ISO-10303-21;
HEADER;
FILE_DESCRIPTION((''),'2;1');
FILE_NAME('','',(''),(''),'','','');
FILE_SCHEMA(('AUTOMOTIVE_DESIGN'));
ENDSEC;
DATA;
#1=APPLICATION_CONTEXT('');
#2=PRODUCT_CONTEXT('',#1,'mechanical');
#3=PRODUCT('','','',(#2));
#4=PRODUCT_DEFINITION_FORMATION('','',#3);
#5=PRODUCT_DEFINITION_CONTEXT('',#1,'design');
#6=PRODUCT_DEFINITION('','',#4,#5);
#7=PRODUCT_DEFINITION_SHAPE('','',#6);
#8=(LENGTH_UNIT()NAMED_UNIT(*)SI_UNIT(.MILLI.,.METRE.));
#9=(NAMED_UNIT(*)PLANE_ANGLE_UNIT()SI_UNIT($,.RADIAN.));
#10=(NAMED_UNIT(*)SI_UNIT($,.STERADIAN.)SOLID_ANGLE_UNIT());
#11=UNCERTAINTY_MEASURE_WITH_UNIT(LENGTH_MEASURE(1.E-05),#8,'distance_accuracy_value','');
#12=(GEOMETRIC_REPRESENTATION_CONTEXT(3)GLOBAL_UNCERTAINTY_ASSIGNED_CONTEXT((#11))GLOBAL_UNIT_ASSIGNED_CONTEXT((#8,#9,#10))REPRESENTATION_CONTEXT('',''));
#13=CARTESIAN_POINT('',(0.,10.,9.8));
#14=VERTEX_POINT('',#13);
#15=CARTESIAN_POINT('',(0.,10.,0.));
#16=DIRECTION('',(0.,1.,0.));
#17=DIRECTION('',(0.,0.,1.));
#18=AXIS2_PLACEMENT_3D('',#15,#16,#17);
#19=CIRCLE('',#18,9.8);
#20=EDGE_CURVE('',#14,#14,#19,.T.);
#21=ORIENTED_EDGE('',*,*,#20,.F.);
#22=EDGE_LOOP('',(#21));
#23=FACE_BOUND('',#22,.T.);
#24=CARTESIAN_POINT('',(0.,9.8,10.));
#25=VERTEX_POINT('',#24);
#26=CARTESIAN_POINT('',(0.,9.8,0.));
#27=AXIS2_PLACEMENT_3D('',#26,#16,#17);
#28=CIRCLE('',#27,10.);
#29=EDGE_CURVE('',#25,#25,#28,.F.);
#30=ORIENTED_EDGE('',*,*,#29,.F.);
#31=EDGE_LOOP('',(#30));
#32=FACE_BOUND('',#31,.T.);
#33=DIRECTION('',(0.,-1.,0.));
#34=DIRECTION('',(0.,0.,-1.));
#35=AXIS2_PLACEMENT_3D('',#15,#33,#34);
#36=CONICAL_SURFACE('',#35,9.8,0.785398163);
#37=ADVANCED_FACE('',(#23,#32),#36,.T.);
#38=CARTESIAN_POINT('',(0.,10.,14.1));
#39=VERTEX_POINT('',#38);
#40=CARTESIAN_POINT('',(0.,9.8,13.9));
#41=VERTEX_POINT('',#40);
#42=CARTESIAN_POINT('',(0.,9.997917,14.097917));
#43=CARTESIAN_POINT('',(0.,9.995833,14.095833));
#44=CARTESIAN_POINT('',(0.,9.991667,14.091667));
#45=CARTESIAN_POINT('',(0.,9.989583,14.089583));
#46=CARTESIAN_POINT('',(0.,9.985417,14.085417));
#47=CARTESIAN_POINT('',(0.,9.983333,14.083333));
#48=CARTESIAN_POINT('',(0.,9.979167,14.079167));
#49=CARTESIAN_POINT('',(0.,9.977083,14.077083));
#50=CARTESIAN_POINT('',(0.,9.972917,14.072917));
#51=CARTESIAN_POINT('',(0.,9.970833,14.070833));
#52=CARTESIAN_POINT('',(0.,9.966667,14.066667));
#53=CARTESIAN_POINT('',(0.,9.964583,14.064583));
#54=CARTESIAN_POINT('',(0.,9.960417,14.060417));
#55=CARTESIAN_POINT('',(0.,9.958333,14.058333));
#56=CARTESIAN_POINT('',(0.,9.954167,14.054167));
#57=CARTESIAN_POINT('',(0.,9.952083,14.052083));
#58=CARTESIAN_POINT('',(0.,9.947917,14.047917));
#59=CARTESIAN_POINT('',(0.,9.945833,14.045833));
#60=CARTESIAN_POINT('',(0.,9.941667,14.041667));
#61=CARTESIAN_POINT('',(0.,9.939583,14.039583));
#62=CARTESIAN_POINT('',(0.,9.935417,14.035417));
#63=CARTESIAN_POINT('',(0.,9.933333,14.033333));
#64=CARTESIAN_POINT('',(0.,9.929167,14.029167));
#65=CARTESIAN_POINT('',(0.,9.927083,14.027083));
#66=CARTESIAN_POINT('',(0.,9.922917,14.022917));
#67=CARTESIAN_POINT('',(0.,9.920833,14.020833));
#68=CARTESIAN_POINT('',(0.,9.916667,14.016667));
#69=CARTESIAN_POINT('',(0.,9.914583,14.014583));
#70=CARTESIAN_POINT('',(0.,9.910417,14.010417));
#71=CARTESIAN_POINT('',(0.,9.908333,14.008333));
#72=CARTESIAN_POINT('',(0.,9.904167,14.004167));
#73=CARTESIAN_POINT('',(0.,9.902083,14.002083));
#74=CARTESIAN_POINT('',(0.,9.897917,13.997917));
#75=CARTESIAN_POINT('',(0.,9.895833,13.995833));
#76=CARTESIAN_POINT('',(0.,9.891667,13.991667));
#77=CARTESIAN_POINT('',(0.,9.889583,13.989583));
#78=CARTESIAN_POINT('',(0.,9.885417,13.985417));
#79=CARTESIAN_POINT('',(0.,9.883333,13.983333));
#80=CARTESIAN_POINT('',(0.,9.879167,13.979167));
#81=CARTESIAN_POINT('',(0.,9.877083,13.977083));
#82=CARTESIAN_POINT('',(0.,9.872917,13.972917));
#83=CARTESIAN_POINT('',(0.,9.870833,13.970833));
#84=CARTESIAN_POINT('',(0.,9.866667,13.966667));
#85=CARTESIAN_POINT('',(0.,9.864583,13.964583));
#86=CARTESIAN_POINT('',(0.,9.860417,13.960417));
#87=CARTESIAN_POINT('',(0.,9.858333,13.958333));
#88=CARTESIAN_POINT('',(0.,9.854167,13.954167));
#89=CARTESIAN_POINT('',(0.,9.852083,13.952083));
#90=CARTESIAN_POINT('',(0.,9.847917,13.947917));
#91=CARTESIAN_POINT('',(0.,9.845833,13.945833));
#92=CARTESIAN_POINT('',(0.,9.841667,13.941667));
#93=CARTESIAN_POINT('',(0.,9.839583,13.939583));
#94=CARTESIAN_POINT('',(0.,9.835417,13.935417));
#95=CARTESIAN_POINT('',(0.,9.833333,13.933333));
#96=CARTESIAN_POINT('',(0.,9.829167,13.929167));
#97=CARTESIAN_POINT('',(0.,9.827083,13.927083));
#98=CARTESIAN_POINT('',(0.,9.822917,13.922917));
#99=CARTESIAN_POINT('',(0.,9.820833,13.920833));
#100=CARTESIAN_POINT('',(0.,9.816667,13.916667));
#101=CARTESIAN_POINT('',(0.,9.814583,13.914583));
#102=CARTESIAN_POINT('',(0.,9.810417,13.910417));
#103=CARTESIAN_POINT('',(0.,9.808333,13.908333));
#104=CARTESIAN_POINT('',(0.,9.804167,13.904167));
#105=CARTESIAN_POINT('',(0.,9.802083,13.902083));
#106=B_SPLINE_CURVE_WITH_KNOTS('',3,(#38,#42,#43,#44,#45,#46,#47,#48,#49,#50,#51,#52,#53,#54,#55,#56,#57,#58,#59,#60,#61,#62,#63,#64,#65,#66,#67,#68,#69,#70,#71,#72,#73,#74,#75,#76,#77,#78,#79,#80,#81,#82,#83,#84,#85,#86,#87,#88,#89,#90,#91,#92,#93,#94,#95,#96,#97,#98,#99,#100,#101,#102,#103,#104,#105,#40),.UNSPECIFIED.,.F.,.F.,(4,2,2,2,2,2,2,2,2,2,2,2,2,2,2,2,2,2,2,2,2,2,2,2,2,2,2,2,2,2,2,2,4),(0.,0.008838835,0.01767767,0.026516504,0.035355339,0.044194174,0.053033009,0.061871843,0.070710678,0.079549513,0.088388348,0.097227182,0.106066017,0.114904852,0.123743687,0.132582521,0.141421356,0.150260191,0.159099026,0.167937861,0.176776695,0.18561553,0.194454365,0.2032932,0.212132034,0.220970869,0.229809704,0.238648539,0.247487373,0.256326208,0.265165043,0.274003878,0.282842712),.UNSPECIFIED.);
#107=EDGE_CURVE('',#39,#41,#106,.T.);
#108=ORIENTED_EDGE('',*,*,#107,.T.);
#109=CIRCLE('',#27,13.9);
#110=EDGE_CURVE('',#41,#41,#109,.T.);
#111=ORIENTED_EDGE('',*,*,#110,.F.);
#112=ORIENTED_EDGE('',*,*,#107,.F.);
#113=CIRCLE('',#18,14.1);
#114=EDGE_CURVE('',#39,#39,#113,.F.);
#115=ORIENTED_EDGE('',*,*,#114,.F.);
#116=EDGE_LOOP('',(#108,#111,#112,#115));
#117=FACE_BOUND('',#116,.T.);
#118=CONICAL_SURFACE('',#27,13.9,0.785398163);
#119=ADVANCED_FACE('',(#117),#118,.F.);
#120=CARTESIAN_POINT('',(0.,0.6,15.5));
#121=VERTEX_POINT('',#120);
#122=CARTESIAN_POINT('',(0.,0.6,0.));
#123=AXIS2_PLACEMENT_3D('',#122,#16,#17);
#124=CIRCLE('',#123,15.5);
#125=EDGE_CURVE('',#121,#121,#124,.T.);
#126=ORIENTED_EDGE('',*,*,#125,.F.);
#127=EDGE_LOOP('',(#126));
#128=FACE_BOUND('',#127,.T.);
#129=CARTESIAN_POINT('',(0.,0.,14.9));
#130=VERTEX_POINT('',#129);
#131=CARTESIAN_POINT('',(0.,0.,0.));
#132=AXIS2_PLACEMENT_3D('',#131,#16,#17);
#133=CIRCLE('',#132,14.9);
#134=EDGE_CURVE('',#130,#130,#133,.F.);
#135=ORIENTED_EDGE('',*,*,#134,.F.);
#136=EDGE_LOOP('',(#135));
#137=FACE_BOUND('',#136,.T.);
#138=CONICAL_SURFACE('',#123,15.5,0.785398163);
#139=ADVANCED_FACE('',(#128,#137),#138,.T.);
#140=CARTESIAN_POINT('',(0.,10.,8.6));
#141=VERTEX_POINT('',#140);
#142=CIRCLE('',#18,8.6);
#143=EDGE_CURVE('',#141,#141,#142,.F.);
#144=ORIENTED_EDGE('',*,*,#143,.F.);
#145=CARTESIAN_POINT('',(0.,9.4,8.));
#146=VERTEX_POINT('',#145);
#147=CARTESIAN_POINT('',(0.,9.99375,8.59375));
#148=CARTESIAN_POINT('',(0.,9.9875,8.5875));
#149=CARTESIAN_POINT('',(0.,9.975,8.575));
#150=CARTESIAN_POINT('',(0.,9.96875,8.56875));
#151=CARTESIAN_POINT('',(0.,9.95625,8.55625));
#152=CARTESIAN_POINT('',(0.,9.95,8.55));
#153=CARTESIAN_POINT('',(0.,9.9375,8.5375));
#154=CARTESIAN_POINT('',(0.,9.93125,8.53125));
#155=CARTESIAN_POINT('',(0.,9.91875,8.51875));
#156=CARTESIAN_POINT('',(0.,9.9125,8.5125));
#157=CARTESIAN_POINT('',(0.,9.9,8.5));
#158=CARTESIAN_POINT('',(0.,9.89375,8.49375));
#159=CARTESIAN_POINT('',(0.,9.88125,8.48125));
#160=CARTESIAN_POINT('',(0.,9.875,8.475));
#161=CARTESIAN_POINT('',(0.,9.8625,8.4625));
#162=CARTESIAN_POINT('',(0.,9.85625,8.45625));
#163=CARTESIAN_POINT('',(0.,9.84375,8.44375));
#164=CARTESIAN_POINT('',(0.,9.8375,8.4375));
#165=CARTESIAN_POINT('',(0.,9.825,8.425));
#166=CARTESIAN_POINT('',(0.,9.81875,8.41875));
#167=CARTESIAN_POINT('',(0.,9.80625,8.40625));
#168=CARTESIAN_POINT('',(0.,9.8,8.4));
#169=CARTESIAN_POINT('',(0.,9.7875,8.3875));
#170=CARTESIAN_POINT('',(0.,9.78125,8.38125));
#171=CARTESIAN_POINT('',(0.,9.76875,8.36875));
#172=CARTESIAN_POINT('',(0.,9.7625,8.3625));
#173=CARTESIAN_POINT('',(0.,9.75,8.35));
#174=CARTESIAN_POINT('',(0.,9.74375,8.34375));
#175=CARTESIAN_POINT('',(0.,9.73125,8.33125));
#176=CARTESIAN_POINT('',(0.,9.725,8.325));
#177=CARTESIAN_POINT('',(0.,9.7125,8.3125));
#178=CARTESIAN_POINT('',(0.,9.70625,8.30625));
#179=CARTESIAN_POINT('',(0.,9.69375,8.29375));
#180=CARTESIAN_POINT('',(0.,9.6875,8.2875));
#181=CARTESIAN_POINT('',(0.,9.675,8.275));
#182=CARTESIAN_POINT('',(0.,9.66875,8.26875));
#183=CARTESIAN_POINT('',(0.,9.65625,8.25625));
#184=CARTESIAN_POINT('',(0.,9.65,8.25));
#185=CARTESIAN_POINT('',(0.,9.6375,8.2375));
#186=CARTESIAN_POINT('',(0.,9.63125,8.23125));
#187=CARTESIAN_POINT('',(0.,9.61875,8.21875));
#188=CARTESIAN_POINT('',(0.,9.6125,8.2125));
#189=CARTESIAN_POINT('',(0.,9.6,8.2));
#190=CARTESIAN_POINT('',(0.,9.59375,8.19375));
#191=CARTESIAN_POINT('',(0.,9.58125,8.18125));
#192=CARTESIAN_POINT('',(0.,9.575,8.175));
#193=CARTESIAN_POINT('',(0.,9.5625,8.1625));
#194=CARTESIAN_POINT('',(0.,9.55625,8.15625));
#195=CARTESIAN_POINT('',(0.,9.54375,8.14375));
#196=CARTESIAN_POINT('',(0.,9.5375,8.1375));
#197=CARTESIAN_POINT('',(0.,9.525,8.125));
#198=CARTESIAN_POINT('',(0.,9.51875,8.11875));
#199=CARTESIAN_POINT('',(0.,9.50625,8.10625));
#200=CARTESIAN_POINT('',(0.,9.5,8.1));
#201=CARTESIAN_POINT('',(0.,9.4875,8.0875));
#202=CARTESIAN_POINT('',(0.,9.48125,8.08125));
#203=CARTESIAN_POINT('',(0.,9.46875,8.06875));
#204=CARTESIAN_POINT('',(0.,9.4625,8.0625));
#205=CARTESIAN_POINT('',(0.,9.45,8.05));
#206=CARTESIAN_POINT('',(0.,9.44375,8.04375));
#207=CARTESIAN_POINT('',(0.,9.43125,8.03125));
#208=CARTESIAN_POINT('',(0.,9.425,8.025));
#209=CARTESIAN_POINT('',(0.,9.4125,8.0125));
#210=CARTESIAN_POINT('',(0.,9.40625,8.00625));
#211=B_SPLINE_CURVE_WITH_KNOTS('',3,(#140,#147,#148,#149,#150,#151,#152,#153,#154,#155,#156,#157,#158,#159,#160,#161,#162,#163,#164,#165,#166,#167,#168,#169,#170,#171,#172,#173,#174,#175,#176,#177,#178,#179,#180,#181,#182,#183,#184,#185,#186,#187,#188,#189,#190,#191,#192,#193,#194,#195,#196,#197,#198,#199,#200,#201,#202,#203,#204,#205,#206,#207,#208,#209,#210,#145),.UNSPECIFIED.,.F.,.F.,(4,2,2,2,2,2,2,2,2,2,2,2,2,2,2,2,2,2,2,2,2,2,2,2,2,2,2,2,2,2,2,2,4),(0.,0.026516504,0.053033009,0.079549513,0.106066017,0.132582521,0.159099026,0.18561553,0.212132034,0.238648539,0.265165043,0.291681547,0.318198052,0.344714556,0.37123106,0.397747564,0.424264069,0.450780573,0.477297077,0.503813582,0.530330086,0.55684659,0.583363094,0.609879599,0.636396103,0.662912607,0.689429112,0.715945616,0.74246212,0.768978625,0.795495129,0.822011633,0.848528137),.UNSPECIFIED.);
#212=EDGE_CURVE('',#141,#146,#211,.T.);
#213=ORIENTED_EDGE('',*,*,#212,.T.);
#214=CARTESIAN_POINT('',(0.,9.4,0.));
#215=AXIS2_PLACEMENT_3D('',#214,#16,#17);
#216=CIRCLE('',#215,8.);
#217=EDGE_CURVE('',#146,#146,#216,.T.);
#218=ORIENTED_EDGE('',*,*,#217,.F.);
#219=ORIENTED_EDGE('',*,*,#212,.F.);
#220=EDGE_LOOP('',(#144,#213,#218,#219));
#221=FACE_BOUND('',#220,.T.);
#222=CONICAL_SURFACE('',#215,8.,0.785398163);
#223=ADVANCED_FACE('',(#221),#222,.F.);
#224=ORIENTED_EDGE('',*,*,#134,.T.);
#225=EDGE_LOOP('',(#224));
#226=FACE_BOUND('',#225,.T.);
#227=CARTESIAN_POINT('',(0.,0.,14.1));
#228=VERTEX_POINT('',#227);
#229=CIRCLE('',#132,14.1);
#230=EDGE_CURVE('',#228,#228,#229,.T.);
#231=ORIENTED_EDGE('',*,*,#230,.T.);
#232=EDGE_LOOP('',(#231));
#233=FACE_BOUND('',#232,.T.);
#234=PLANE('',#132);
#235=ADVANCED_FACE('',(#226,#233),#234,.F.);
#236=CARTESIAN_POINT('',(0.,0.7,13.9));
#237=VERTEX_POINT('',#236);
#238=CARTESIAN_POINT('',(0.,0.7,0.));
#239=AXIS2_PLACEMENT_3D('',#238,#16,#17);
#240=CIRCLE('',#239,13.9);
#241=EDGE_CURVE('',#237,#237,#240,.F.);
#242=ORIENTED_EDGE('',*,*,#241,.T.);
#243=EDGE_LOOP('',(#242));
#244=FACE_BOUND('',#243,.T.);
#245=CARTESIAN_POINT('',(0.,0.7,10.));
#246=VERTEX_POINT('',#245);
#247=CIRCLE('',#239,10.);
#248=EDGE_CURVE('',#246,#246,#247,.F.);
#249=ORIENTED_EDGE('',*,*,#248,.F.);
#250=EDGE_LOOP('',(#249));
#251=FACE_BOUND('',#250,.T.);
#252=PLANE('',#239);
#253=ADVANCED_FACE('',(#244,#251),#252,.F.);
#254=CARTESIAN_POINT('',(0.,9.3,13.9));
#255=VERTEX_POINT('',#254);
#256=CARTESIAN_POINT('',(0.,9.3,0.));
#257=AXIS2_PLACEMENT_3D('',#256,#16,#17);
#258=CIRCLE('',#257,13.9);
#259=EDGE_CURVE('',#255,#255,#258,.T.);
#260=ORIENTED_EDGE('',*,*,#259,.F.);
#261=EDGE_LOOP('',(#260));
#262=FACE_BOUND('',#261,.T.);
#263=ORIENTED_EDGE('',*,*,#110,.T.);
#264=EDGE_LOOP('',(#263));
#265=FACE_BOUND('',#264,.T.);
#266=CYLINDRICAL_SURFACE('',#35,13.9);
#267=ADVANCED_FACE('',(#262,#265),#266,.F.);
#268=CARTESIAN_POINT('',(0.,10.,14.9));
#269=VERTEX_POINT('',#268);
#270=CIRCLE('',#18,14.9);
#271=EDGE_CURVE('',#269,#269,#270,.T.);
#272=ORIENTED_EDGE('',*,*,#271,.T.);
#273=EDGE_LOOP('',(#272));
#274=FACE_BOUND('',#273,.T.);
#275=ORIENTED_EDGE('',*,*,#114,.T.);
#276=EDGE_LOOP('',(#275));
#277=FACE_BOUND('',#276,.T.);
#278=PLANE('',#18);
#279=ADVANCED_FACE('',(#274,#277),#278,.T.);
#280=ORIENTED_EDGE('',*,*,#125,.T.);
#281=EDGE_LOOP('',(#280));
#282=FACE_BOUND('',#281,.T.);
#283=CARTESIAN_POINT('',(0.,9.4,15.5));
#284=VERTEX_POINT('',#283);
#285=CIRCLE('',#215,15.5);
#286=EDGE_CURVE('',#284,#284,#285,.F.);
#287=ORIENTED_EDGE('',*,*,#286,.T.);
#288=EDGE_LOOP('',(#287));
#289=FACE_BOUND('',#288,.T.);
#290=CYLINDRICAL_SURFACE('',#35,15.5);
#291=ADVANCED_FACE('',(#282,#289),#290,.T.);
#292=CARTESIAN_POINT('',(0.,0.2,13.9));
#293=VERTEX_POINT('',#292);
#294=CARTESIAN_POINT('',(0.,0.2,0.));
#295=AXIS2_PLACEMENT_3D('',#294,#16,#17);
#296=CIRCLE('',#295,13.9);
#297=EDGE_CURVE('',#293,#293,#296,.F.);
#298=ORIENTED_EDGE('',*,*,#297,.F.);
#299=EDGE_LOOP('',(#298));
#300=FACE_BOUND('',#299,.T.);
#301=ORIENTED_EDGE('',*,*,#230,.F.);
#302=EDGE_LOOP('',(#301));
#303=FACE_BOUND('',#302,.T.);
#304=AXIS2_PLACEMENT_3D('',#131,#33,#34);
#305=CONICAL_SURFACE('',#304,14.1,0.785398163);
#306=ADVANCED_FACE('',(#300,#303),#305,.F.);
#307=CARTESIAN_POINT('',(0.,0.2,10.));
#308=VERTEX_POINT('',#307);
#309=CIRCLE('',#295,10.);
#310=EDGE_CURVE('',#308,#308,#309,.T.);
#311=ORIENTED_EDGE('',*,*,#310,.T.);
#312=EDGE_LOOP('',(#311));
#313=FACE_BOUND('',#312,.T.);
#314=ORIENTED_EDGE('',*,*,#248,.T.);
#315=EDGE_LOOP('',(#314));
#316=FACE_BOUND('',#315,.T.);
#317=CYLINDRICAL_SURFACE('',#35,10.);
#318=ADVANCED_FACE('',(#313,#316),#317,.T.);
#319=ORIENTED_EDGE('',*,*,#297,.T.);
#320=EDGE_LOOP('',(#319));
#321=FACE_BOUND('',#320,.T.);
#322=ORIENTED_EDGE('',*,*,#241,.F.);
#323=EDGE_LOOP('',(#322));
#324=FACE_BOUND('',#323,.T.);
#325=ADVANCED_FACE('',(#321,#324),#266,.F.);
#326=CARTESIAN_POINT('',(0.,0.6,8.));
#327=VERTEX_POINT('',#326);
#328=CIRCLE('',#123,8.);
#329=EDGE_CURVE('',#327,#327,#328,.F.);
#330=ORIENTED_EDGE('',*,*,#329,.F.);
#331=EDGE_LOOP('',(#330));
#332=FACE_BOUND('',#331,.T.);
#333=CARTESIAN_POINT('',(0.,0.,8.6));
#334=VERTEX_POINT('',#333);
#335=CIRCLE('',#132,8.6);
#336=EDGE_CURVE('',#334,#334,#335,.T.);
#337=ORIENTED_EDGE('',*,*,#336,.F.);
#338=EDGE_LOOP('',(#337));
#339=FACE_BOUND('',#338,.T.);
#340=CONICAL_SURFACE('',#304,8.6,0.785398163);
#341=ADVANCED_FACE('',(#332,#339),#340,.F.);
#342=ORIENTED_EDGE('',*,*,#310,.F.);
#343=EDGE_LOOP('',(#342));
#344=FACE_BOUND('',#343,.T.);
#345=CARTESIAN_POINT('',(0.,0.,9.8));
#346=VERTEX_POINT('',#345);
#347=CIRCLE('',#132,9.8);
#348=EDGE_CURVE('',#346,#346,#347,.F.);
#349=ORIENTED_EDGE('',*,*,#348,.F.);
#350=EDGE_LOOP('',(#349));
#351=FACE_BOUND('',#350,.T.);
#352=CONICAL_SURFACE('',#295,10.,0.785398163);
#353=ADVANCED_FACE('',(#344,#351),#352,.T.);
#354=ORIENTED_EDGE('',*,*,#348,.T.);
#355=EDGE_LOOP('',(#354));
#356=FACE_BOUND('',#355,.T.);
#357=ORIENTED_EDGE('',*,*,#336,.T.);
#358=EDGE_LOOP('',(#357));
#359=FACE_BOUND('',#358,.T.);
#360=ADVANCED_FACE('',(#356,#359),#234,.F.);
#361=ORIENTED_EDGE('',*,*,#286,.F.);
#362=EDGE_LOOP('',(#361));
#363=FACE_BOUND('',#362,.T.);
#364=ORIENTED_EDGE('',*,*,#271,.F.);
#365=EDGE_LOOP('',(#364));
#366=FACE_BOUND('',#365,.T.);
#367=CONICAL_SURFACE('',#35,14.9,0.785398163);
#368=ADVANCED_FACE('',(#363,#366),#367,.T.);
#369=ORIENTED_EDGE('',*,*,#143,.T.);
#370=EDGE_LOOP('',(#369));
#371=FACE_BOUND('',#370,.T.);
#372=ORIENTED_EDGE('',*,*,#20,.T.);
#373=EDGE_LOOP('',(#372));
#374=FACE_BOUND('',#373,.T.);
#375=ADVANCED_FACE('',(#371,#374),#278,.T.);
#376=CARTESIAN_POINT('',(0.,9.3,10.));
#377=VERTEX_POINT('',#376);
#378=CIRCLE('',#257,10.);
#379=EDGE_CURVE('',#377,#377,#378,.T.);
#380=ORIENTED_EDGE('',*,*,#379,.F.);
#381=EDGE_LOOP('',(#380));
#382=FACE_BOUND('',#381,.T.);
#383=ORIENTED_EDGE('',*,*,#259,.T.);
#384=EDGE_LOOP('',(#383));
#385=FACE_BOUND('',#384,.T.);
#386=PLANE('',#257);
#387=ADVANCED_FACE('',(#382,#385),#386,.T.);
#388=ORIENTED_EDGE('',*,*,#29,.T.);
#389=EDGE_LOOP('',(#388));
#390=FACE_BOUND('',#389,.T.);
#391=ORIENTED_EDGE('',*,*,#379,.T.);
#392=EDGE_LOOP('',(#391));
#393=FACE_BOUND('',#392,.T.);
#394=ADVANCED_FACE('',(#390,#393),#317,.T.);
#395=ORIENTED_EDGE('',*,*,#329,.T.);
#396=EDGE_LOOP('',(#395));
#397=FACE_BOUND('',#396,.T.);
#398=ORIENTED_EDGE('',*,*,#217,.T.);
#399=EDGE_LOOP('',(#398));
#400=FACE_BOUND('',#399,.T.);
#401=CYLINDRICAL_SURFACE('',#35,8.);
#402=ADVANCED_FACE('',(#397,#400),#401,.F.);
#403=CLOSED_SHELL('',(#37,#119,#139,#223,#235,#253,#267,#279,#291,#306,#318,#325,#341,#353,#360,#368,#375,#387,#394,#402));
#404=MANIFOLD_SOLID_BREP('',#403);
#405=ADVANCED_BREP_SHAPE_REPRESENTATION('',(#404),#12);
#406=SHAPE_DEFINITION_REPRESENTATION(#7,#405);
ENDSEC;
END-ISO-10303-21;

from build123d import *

# Parameters (mm, degrees)
SKETCH1_R             = 15.5
SKETCH1_R_2           = 13.9
BOSS_EXTRUDE1_DEPTH   = 10
SKETCH1_R_3           = 10
SKETCH1_R_4           = 8
BOSS_EXTRUDE1_2_DEPTH = 10
BOSS_EXTRUDE2_START   = -4.3
SKETCH2_R             = 13.9
SKETCH2_R_2           = 10
BOSS_EXTRUDE2_DEPTH   = 8.6
CHAMFER1_SIZE         = 0.6
CHAMFER2_SIZE         = 0.2


with BuildPart() as part:
    # Sketch1 → Boss-Extrude1 (new body)
    with BuildSketch(Plane(origin=(0, 0, 0), x_dir=(1, 0, 0), z_dir=(0, 1, 0))):
        with Locations(Location((0, 0, 0), (0, 0, 270))):
            Circle(SKETCH1_R)
        with Locations(Location((0, 0, 0), (0, 0, 270))):
            Circle(SKETCH1_R_2, mode=Mode.SUBTRACT)
    extrude(amount=BOSS_EXTRUDE1_DEPTH)



with BuildPart() as body_2:
    # Sketch1 → Boss-Extrude1 2 (new body)
    with BuildSketch(Plane(origin=(0, 0, 0), x_dir=(1, 0, 0), z_dir=(0, 1, 0))):
        with Locations(Location((0, 0, 0), (0, 0, 270))):
            Circle(SKETCH1_R_3)
        with Locations(Location((0, 0, 0), (0, 0, 270))):
            Circle(SKETCH1_R_4, mode=Mode.SUBTRACT)
    extrude(amount=BOSS_EXTRUDE1_2_DEPTH)


with BuildPart() as part_1:
    add(part.part)

    add(body_2.part)  # Boss-Extrude2 merges body 2
    # Sketch2 → Boss-Extrude2 (add)
    with BuildSketch(Plane(origin=(0, 5, 0), x_dir=(1, 0, 0), z_dir=(0, 1, 0)).offset(BOSS_EXTRUDE2_START)):
        with Locations(Location((0, 0, 0), (0, 0, 270))):
            Circle(SKETCH2_R)
        with Locations(Location((0, 0, 0), (0, 0, 270))):
            Circle(SKETCH2_R_2, mode=Mode.SUBTRACT)
    extrude(amount=BOSS_EXTRUDE2_DEPTH)

    # Chamfer1
    chamfer1_edges = [part_1.edges().sort_by_distance(p)[0] for p in [
        (0, 10, -15.5),
        (0, 10, -8),
        (0, 0, -8),
        (0, 0, -15.5),
    ]]
    chamfer(chamfer1_edges, length=CHAMFER1_SIZE)

    # Chamfer2
    chamfer2_edges = [part_1.edges().sort_by_distance(p)[0] for p in [
        (0, 0, -10),
        (0, 10, -10),
        (0, 0, -13.9),
        (0, 10, -13.9),
    ]]
    chamfer(chamfer2_edges, length=CHAMFER2_SIZE)


solid = part_1.part
